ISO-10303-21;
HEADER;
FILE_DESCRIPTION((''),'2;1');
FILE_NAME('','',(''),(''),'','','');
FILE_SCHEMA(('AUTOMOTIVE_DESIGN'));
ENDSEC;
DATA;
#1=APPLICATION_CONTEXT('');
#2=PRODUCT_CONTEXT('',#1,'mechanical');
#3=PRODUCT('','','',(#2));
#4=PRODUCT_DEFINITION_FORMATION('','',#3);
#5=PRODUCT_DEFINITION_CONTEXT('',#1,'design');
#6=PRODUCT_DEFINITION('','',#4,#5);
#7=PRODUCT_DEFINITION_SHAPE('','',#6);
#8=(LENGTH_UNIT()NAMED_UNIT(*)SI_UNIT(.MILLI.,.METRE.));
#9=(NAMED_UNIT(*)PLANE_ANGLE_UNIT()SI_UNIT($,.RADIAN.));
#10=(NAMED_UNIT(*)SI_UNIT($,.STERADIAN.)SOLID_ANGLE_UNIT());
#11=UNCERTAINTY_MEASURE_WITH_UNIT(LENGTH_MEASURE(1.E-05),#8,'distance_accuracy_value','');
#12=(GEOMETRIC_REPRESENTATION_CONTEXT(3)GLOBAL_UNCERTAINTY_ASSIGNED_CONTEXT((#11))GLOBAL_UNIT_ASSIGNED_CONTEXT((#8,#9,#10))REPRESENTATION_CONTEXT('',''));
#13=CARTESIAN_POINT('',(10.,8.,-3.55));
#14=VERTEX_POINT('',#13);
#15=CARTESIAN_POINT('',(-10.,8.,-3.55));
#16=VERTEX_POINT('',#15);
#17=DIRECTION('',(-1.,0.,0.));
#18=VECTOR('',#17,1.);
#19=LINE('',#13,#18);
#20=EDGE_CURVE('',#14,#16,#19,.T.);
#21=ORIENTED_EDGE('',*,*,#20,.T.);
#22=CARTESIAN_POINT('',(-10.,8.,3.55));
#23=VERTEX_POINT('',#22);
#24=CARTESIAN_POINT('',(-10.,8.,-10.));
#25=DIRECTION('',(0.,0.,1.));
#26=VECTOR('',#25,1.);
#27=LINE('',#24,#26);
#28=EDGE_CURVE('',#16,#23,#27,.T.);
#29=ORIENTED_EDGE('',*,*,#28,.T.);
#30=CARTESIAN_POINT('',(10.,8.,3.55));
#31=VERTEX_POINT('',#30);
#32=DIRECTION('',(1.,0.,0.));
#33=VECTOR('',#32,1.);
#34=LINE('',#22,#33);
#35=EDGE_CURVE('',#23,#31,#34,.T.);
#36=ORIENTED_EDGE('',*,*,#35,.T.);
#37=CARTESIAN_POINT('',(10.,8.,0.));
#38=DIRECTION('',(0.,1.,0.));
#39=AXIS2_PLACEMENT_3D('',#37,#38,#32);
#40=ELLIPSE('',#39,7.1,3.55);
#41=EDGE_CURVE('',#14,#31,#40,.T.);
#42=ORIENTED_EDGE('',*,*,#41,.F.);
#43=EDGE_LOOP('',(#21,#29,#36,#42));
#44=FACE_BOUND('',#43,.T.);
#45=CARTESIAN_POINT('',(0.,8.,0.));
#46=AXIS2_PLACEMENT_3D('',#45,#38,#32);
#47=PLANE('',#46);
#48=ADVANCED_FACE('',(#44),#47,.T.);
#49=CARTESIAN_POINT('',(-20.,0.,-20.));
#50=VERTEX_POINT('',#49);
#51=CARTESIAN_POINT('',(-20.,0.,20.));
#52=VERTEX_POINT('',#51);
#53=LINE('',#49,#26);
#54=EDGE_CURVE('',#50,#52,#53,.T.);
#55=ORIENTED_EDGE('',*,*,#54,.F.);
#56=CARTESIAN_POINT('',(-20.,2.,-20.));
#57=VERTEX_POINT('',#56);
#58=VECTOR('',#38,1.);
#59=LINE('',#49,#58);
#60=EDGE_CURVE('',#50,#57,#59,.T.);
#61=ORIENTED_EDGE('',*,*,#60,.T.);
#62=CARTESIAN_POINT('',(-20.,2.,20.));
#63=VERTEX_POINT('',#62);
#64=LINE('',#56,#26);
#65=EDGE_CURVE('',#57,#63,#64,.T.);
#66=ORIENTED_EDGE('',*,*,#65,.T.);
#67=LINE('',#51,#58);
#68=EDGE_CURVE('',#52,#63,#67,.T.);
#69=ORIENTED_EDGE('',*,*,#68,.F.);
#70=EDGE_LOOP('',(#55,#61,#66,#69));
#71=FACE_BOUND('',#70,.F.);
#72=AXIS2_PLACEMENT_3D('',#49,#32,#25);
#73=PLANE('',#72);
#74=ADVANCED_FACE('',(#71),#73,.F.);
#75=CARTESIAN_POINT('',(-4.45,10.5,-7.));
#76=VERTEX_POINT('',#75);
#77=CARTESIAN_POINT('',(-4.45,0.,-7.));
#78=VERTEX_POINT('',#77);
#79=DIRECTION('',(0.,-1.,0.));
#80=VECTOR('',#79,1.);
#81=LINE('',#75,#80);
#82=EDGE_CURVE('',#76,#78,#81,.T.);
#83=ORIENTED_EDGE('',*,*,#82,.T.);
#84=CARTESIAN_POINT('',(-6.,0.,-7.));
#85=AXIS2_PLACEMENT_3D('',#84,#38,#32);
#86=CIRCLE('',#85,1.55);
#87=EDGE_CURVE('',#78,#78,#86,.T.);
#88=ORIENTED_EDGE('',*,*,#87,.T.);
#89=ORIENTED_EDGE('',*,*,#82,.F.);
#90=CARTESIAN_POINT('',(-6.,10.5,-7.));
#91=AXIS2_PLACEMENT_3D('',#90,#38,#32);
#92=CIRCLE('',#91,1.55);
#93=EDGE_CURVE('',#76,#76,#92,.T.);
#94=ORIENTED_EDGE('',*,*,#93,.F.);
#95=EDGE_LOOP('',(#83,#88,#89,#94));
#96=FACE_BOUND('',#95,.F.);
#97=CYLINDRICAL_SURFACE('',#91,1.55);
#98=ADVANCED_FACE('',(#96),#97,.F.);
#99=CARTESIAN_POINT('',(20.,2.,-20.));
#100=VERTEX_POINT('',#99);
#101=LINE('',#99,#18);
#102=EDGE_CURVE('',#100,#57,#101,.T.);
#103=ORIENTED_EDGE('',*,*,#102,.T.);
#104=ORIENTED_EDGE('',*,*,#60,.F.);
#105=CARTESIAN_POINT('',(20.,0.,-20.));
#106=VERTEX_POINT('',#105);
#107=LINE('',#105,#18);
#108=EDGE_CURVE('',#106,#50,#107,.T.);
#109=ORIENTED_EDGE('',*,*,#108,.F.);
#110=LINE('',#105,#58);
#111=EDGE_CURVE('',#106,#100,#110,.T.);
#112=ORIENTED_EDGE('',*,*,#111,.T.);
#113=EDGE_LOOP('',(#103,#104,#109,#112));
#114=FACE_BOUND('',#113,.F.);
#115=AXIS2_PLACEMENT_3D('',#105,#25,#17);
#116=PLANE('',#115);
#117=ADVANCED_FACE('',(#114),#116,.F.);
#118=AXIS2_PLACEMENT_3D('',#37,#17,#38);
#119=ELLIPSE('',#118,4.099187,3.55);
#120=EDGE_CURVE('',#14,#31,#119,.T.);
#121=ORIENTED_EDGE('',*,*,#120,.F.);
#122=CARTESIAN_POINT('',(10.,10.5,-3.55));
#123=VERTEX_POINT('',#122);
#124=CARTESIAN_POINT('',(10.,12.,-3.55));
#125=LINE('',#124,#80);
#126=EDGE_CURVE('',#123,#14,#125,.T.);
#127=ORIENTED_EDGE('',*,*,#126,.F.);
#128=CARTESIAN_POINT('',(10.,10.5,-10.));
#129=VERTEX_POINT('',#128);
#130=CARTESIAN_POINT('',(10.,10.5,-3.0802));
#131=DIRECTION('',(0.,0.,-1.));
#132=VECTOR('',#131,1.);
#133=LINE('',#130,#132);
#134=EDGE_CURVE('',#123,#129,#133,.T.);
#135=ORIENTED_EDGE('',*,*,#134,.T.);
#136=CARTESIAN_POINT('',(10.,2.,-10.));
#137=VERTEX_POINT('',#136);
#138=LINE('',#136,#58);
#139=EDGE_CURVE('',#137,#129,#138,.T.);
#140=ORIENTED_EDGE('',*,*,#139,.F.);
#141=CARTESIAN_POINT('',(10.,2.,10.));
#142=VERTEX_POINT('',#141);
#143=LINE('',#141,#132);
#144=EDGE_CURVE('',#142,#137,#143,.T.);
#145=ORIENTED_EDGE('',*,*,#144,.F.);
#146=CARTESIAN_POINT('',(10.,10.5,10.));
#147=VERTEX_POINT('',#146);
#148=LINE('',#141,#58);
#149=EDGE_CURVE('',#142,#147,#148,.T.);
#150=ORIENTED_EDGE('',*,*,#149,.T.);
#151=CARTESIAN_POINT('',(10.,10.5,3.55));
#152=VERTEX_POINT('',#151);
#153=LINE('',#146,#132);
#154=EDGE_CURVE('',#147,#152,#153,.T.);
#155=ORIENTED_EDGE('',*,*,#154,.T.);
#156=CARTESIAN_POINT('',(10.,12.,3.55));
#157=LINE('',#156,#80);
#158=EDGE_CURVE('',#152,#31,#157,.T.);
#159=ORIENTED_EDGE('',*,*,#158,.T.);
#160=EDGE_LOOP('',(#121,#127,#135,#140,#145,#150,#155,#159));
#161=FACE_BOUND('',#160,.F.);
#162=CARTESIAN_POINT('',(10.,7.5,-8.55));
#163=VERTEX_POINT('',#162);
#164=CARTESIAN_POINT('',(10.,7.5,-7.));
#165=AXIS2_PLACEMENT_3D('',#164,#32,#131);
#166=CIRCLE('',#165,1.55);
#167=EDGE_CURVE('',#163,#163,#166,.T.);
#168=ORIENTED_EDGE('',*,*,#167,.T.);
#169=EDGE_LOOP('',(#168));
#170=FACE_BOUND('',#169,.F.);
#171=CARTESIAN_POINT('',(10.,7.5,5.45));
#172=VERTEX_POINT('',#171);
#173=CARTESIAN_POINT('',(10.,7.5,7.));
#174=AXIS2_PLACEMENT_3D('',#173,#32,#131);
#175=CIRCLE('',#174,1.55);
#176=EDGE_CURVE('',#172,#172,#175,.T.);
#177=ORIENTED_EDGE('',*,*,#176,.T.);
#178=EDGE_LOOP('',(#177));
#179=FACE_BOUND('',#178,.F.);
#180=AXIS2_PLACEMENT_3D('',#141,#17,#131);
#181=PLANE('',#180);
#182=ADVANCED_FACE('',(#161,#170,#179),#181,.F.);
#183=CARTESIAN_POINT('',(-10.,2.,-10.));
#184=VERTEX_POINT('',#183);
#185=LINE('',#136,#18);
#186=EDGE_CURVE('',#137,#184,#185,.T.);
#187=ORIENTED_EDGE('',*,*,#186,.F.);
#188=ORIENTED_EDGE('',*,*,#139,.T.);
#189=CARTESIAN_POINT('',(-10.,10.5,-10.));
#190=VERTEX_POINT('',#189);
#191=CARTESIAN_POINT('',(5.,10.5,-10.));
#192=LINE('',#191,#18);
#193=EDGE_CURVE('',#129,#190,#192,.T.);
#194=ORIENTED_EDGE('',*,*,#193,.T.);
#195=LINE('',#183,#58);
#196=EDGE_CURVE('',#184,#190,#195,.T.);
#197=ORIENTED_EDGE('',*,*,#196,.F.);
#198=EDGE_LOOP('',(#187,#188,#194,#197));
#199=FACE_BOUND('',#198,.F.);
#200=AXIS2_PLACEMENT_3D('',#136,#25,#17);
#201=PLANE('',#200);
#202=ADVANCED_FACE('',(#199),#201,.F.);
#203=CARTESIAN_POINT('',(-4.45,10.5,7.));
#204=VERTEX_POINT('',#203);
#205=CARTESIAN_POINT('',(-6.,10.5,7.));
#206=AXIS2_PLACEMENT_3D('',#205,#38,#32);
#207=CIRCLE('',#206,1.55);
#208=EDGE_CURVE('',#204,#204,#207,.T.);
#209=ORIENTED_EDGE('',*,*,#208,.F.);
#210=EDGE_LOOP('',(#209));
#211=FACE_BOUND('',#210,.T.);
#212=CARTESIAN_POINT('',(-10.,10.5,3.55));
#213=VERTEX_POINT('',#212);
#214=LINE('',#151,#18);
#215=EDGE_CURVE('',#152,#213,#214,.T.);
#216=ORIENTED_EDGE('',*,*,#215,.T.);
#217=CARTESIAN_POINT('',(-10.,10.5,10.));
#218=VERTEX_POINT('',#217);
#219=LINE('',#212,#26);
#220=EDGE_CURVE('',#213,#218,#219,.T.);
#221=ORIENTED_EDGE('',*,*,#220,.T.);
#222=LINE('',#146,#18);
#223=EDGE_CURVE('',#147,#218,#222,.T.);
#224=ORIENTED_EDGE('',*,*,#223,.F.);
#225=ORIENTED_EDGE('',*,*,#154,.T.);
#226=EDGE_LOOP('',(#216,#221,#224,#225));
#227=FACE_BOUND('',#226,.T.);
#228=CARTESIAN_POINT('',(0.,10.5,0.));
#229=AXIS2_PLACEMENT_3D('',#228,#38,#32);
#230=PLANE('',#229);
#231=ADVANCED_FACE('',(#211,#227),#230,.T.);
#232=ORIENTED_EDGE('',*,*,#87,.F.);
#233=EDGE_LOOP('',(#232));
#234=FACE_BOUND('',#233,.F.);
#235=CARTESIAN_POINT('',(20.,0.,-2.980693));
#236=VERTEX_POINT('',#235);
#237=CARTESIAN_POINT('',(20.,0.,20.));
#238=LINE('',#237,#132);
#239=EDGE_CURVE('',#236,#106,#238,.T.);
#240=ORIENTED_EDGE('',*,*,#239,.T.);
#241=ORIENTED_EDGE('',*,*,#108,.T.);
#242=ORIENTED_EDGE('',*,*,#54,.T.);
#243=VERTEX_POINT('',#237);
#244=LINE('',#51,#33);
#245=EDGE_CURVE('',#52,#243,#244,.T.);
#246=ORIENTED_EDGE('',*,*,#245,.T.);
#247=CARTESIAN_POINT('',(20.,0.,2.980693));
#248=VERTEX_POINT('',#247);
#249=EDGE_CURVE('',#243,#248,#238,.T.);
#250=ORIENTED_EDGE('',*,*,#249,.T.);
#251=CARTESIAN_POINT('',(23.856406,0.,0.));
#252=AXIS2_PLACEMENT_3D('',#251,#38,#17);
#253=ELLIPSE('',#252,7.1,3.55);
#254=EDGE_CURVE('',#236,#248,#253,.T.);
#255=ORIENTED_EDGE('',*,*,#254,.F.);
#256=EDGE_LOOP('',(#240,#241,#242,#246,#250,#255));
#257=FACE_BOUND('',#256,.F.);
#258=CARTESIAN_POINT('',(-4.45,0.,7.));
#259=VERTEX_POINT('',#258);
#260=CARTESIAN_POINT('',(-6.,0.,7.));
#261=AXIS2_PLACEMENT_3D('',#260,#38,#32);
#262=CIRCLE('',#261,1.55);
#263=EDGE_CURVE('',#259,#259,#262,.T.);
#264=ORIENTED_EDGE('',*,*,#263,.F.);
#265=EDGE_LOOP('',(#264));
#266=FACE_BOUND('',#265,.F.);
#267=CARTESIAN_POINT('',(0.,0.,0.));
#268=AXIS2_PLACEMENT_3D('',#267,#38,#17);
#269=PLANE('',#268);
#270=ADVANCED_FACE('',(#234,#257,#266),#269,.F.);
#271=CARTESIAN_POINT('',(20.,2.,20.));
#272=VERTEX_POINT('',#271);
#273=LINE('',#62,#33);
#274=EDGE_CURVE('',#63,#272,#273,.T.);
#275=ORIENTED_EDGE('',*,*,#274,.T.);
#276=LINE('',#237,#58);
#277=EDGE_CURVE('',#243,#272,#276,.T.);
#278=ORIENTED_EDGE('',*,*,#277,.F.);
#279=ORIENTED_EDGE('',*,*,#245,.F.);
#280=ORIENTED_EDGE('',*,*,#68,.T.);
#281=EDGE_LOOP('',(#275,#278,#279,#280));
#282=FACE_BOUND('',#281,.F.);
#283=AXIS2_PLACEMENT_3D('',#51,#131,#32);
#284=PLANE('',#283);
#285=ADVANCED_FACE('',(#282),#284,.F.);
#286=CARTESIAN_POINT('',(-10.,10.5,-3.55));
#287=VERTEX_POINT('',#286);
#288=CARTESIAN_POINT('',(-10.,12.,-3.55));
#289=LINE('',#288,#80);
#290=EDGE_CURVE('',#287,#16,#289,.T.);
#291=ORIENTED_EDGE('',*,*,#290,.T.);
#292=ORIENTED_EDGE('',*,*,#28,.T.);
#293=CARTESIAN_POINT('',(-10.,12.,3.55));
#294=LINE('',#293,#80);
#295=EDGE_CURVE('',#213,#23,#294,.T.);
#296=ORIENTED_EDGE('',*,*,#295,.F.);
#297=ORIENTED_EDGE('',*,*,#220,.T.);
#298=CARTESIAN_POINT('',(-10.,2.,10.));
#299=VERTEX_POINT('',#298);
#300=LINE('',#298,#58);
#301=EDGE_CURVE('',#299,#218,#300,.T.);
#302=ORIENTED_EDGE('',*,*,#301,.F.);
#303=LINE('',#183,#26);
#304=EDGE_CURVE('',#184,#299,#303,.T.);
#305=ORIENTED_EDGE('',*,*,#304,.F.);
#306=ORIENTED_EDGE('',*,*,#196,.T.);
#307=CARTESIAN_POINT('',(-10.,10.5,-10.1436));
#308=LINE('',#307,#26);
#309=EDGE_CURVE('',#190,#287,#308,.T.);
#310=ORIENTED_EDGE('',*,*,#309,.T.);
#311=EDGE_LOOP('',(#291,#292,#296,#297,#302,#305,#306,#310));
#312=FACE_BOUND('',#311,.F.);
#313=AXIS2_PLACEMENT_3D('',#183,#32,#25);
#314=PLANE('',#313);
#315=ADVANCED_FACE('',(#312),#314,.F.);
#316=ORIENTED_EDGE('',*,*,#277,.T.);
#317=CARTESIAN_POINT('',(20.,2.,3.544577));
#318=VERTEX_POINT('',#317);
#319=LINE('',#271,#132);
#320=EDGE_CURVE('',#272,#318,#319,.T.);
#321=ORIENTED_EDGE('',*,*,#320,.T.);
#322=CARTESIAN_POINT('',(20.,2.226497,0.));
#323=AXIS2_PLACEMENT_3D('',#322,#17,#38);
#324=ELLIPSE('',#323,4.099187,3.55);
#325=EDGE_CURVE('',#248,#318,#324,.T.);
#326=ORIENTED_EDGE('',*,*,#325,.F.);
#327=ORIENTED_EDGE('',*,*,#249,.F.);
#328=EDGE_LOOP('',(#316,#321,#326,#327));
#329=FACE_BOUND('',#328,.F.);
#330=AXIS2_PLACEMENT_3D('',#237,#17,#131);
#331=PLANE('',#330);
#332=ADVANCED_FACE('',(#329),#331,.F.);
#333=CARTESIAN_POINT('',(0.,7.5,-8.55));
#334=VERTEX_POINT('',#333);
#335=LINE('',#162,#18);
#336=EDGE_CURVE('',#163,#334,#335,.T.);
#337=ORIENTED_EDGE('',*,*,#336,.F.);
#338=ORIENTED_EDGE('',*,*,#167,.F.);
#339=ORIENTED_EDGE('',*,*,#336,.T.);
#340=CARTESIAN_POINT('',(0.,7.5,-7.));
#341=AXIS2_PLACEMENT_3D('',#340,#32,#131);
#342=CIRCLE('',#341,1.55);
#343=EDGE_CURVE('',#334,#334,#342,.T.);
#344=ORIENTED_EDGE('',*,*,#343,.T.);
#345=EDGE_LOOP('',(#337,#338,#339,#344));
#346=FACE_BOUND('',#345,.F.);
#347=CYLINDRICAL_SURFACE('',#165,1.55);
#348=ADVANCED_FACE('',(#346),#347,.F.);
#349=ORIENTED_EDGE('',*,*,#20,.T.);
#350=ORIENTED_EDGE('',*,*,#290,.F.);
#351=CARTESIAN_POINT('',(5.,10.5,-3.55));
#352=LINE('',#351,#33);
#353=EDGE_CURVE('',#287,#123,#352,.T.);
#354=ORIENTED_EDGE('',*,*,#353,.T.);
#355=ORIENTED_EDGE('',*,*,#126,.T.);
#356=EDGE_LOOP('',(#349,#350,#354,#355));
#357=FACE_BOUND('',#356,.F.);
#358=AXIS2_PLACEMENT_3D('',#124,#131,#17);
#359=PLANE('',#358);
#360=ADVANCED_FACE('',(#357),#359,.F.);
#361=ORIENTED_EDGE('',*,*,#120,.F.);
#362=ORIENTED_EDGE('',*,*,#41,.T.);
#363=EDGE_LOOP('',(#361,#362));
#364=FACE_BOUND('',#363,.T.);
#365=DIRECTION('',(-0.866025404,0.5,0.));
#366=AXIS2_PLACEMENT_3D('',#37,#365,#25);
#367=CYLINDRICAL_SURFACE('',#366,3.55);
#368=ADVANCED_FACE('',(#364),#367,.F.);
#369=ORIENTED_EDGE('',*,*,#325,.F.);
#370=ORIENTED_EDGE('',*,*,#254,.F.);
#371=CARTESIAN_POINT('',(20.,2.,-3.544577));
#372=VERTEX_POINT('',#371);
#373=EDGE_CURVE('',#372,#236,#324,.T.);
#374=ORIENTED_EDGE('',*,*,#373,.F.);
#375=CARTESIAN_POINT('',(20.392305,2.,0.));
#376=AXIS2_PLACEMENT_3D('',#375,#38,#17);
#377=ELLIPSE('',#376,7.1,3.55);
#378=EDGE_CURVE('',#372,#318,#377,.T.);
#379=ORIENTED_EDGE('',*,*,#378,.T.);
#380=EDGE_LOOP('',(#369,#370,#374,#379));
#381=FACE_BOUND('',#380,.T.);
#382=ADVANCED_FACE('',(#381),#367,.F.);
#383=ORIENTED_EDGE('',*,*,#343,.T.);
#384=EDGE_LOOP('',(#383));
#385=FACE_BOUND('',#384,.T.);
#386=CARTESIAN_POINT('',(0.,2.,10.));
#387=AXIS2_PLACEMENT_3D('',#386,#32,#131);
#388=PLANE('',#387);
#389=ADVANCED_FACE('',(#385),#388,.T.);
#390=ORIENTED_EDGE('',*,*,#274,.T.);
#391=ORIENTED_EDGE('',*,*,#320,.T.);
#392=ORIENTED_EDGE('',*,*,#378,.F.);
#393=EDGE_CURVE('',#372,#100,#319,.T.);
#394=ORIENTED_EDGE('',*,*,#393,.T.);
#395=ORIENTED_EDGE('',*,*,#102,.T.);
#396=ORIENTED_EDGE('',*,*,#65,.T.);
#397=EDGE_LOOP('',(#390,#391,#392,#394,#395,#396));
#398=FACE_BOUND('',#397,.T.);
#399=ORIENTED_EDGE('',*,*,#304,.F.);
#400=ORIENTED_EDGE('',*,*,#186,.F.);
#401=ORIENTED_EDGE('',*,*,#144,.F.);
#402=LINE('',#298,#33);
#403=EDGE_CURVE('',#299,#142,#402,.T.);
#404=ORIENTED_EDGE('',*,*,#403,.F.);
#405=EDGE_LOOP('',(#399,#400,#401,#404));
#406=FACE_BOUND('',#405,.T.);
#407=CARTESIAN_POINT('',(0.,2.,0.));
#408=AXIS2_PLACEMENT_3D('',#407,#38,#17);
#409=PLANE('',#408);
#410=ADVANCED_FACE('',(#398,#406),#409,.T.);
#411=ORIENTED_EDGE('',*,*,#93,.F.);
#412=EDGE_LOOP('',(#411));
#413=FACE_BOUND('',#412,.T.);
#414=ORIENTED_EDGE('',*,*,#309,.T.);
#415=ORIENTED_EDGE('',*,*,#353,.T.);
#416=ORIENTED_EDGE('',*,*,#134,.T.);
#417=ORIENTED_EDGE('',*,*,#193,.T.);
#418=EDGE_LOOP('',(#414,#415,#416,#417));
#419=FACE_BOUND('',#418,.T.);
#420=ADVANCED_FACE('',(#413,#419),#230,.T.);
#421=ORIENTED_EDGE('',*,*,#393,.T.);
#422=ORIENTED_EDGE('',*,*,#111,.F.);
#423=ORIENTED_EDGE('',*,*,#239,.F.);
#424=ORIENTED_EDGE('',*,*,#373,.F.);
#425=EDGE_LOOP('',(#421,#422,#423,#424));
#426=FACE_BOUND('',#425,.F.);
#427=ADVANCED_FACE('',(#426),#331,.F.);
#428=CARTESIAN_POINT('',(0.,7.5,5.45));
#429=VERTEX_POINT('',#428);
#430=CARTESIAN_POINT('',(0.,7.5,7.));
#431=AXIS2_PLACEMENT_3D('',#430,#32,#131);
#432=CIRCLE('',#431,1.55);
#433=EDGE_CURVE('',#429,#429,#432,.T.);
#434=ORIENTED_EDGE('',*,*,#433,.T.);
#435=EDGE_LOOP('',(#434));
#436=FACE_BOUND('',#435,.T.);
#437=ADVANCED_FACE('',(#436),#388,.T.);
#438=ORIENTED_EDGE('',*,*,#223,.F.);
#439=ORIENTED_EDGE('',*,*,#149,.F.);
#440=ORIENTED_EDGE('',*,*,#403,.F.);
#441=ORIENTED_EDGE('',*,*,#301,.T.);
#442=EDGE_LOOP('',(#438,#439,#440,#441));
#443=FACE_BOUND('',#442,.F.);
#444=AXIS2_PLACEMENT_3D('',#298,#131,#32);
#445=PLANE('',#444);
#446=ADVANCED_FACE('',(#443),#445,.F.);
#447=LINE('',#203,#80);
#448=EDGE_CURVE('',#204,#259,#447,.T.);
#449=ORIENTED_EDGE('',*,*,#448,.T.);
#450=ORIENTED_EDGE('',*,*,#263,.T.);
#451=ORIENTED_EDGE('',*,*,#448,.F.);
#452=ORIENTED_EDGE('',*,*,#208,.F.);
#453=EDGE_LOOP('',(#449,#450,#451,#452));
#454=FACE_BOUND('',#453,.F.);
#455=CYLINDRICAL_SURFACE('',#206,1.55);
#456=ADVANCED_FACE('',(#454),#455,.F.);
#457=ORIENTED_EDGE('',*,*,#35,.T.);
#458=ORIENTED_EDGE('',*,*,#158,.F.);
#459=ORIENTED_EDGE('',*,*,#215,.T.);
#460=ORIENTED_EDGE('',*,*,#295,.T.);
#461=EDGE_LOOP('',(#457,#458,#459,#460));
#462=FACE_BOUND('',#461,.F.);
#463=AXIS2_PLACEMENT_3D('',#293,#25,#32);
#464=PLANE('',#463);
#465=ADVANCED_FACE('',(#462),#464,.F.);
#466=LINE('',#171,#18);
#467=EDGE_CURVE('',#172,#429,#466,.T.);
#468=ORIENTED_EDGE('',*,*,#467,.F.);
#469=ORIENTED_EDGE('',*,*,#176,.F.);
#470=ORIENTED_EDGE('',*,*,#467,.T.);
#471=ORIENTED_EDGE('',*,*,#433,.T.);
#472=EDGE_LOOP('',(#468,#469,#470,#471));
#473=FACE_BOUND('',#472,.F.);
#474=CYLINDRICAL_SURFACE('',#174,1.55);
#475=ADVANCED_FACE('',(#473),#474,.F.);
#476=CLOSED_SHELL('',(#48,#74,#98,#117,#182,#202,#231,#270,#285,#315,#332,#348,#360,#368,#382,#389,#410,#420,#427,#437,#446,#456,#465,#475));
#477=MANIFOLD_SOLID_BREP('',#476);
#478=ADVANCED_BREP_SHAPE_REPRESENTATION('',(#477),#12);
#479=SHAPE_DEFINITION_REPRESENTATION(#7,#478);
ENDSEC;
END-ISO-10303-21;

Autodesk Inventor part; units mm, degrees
ref_plane "YZ Plane" through (0, 0, 0) normal (1, 0, 0) x (0, 1, 0)
ref_plane "XZ Plane" through (0, 0, 0) normal (0, 1, 0) x (-1, 0, 0)
sketch "Sketch1" plane through (0, 0, 0) normal (0, 1, 0) x (-1, 0, 0)
  line L0 (20, 20) -> (-20, 20)
  line L1 (-20, 20) -> (-20, -20)
  line L2 (-20, -20) -> (20, -20)
  line L3 (20, -20) -> (20, 20)
  point P0 (0, 0)
  dimension "d0" = 40
  dimension "d1" = 40
  dimension "d2" = 20
  dimension "d3" = 20
extrude "Extrusion1" add sketch "Sketch1" along normal blind 2
sketch "Sketch2" plane through (0, 2, 0) normal (0, 1, 0) x (1, 0, 0)
  line L0 (-10, -10) -> (10, -10)
  line L1 (10, -10) -> (10, 10)
  line L2 (10, 10) -> (-10, 10)
  line L3 (-10, 10) -> (-10, -10)
  point P0 (0, 0)
  dimension "d6" = 20
  dimension "d7" = 20
  dimension "d8" = 10
  dimension "d9" = 10
extrude "Extrusion2" add sketch "Sketch2" along normal blind 10
sketch "Sketch3" plane through (0, 12, 0) normal (0, 1, 0) x (1, 0, 0)
  line L0 (-10, 10) -> (-10, -10) projected
  line L1 (10, 10) -> (10, -10) projected
  line L2 (-10, -3.55) -> (10, -3.55)
  line L3 (10, -3.55) -> (10, 3.55)
  line L4 (10, 3.55) -> (-10, 3.55)
  line L5 (-10, 3.55) -> (-10, -3.55)
  point P0 (0, 0)
  point P1 (0, 3.55)
  point P2 (10, -3.55)
  dimension "d12" = 7.1
  dimension "d13" = 3.55
extrude "Extrusion3" cut sketch "Sketch3" against normal blind 4
ref_plane "Work Plane1" through (10, 8, 5) normal (0.866, -0.5, 0) x (0, 0, 1)
sketch "Sketch4" plane through (10, 8, 5) normal (0.866, -0.5, 0) x (0, 0, 1)
  line L0 (-1.45, 0) -> (-1.45, -3.4641) projected
  line L1 (-1.45, 10) -> (-8.55, 10) projected
  line L2 (-1.45, 0) -> (-1.45, 10) projected
  line L3 (-8.55, 0) -> (-1.45, 0) projected
  line L4 (-8.55, 10) -> (-8.55, 0) projected
  line L5 (-8.55, -3.4641) -> (-8.55, 0) projected
  circle A0 centre (-5, 0) radius 3.55
  point P0 (-5, 11.9282)
extrude "Extrusion4" cut sketch "Sketch4" along normal through all both and the other way through all contours A0 L3 | L3 A0
sketch "Sketch5" plane through (0, 12, 0) normal (0, 1, 0) x (1, 0, 0)
  line L0 (10, -10) -> (-10, -10) projected
  line L1 (10, -3.55) -> (-10, -3.55) projected
  line L2 (-10, -10) -> (10, -10)
  line L3 (10, -10) -> (10, -3.55)
  line L4 (10, -3.55) -> (-10, -3.55)
  line L5 (-10, -3.55) -> (-10, -10)
  line L6 (-10, 3.0802) -> (10, 3.0802)
  line L7 (10, 3.0802) -> (10, 10.1436)
  line L8 (10, 10.1436) -> (-10, 10.1436)
  line L9 (-10, 10.1436) -> (-10, 3.0802)
  point P0 (0, 0)
  point P1 (-10, -3.55)
extrude "Extrusion5" cut sketch "Sketch5" against normal blind 1.5
sketch "Sketch6" plane through (0, 10.5, 0) normal (0, 1, 0) x (1, 0, 0)
  circle A0 centre (-6, -7) radius 1.55
  circle A1 centre (-6, 7) radius 1.55
  line L0 (-10, 3.55) -> (-10, 10) projected
  line L1 (-10, -10) -> (-10, -3.55) projected
  line L2 (10, -10) -> (-10, -10) projected
  line L3 (-10, 10) -> (10, 10) projected
  point P0 (0, 0)
  point P1 (-10, -6.775)
  point P2 (-10, 3.5772)
  dimension "d21" = 3.1
  dimension "d22" = 3.1
  dimension "d23" = 4
  dimension "d24" = 4
  dimension "d25" = 3
  dimension "d26" = 3
extrude "Extrusion6" cut sketch "Sketch6" against normal through all
sketch "Sketch7" plane through (10, 2, 10) normal (1, 0, 0) x (0, 0, -1)
  circle A0 centre (3, 5.5) radius 1.55
  circle A1 centre (17, 5.5) radius 1.55
  line L0 (20, 0) -> (20, 8.5) projected
  line L1 (0, 0) -> (0, 8.5) projected
  line L2 (6.45, 8.5) -> (0, 8.5) projected
  line L3 (20, 8.5) -> (13.55, 8.5) projected
  point P0 (10, -2)
  point P1 (13.5772, 8.7)
  dimension "d29" = 3.1
  dimension "d30" = 3.1
  dimension "d31" = 3
  dimension "d32" = 3
  dimension "d33" = 3
  dimension "d34" = 3
extrude "Extrusion7" cut sketch "Sketch7" against normal blind 10
equation "\"d2\" = 0.5 * d1"
equation "\"d3\" = 0.5 * d0"
equation "\"d8\" = 0.5 * d7"
equation "\"d9\" = 0.5 * d6"
equation "\"d13\" = 0.5 * d12"
properties part number "Camera Holder 1"
